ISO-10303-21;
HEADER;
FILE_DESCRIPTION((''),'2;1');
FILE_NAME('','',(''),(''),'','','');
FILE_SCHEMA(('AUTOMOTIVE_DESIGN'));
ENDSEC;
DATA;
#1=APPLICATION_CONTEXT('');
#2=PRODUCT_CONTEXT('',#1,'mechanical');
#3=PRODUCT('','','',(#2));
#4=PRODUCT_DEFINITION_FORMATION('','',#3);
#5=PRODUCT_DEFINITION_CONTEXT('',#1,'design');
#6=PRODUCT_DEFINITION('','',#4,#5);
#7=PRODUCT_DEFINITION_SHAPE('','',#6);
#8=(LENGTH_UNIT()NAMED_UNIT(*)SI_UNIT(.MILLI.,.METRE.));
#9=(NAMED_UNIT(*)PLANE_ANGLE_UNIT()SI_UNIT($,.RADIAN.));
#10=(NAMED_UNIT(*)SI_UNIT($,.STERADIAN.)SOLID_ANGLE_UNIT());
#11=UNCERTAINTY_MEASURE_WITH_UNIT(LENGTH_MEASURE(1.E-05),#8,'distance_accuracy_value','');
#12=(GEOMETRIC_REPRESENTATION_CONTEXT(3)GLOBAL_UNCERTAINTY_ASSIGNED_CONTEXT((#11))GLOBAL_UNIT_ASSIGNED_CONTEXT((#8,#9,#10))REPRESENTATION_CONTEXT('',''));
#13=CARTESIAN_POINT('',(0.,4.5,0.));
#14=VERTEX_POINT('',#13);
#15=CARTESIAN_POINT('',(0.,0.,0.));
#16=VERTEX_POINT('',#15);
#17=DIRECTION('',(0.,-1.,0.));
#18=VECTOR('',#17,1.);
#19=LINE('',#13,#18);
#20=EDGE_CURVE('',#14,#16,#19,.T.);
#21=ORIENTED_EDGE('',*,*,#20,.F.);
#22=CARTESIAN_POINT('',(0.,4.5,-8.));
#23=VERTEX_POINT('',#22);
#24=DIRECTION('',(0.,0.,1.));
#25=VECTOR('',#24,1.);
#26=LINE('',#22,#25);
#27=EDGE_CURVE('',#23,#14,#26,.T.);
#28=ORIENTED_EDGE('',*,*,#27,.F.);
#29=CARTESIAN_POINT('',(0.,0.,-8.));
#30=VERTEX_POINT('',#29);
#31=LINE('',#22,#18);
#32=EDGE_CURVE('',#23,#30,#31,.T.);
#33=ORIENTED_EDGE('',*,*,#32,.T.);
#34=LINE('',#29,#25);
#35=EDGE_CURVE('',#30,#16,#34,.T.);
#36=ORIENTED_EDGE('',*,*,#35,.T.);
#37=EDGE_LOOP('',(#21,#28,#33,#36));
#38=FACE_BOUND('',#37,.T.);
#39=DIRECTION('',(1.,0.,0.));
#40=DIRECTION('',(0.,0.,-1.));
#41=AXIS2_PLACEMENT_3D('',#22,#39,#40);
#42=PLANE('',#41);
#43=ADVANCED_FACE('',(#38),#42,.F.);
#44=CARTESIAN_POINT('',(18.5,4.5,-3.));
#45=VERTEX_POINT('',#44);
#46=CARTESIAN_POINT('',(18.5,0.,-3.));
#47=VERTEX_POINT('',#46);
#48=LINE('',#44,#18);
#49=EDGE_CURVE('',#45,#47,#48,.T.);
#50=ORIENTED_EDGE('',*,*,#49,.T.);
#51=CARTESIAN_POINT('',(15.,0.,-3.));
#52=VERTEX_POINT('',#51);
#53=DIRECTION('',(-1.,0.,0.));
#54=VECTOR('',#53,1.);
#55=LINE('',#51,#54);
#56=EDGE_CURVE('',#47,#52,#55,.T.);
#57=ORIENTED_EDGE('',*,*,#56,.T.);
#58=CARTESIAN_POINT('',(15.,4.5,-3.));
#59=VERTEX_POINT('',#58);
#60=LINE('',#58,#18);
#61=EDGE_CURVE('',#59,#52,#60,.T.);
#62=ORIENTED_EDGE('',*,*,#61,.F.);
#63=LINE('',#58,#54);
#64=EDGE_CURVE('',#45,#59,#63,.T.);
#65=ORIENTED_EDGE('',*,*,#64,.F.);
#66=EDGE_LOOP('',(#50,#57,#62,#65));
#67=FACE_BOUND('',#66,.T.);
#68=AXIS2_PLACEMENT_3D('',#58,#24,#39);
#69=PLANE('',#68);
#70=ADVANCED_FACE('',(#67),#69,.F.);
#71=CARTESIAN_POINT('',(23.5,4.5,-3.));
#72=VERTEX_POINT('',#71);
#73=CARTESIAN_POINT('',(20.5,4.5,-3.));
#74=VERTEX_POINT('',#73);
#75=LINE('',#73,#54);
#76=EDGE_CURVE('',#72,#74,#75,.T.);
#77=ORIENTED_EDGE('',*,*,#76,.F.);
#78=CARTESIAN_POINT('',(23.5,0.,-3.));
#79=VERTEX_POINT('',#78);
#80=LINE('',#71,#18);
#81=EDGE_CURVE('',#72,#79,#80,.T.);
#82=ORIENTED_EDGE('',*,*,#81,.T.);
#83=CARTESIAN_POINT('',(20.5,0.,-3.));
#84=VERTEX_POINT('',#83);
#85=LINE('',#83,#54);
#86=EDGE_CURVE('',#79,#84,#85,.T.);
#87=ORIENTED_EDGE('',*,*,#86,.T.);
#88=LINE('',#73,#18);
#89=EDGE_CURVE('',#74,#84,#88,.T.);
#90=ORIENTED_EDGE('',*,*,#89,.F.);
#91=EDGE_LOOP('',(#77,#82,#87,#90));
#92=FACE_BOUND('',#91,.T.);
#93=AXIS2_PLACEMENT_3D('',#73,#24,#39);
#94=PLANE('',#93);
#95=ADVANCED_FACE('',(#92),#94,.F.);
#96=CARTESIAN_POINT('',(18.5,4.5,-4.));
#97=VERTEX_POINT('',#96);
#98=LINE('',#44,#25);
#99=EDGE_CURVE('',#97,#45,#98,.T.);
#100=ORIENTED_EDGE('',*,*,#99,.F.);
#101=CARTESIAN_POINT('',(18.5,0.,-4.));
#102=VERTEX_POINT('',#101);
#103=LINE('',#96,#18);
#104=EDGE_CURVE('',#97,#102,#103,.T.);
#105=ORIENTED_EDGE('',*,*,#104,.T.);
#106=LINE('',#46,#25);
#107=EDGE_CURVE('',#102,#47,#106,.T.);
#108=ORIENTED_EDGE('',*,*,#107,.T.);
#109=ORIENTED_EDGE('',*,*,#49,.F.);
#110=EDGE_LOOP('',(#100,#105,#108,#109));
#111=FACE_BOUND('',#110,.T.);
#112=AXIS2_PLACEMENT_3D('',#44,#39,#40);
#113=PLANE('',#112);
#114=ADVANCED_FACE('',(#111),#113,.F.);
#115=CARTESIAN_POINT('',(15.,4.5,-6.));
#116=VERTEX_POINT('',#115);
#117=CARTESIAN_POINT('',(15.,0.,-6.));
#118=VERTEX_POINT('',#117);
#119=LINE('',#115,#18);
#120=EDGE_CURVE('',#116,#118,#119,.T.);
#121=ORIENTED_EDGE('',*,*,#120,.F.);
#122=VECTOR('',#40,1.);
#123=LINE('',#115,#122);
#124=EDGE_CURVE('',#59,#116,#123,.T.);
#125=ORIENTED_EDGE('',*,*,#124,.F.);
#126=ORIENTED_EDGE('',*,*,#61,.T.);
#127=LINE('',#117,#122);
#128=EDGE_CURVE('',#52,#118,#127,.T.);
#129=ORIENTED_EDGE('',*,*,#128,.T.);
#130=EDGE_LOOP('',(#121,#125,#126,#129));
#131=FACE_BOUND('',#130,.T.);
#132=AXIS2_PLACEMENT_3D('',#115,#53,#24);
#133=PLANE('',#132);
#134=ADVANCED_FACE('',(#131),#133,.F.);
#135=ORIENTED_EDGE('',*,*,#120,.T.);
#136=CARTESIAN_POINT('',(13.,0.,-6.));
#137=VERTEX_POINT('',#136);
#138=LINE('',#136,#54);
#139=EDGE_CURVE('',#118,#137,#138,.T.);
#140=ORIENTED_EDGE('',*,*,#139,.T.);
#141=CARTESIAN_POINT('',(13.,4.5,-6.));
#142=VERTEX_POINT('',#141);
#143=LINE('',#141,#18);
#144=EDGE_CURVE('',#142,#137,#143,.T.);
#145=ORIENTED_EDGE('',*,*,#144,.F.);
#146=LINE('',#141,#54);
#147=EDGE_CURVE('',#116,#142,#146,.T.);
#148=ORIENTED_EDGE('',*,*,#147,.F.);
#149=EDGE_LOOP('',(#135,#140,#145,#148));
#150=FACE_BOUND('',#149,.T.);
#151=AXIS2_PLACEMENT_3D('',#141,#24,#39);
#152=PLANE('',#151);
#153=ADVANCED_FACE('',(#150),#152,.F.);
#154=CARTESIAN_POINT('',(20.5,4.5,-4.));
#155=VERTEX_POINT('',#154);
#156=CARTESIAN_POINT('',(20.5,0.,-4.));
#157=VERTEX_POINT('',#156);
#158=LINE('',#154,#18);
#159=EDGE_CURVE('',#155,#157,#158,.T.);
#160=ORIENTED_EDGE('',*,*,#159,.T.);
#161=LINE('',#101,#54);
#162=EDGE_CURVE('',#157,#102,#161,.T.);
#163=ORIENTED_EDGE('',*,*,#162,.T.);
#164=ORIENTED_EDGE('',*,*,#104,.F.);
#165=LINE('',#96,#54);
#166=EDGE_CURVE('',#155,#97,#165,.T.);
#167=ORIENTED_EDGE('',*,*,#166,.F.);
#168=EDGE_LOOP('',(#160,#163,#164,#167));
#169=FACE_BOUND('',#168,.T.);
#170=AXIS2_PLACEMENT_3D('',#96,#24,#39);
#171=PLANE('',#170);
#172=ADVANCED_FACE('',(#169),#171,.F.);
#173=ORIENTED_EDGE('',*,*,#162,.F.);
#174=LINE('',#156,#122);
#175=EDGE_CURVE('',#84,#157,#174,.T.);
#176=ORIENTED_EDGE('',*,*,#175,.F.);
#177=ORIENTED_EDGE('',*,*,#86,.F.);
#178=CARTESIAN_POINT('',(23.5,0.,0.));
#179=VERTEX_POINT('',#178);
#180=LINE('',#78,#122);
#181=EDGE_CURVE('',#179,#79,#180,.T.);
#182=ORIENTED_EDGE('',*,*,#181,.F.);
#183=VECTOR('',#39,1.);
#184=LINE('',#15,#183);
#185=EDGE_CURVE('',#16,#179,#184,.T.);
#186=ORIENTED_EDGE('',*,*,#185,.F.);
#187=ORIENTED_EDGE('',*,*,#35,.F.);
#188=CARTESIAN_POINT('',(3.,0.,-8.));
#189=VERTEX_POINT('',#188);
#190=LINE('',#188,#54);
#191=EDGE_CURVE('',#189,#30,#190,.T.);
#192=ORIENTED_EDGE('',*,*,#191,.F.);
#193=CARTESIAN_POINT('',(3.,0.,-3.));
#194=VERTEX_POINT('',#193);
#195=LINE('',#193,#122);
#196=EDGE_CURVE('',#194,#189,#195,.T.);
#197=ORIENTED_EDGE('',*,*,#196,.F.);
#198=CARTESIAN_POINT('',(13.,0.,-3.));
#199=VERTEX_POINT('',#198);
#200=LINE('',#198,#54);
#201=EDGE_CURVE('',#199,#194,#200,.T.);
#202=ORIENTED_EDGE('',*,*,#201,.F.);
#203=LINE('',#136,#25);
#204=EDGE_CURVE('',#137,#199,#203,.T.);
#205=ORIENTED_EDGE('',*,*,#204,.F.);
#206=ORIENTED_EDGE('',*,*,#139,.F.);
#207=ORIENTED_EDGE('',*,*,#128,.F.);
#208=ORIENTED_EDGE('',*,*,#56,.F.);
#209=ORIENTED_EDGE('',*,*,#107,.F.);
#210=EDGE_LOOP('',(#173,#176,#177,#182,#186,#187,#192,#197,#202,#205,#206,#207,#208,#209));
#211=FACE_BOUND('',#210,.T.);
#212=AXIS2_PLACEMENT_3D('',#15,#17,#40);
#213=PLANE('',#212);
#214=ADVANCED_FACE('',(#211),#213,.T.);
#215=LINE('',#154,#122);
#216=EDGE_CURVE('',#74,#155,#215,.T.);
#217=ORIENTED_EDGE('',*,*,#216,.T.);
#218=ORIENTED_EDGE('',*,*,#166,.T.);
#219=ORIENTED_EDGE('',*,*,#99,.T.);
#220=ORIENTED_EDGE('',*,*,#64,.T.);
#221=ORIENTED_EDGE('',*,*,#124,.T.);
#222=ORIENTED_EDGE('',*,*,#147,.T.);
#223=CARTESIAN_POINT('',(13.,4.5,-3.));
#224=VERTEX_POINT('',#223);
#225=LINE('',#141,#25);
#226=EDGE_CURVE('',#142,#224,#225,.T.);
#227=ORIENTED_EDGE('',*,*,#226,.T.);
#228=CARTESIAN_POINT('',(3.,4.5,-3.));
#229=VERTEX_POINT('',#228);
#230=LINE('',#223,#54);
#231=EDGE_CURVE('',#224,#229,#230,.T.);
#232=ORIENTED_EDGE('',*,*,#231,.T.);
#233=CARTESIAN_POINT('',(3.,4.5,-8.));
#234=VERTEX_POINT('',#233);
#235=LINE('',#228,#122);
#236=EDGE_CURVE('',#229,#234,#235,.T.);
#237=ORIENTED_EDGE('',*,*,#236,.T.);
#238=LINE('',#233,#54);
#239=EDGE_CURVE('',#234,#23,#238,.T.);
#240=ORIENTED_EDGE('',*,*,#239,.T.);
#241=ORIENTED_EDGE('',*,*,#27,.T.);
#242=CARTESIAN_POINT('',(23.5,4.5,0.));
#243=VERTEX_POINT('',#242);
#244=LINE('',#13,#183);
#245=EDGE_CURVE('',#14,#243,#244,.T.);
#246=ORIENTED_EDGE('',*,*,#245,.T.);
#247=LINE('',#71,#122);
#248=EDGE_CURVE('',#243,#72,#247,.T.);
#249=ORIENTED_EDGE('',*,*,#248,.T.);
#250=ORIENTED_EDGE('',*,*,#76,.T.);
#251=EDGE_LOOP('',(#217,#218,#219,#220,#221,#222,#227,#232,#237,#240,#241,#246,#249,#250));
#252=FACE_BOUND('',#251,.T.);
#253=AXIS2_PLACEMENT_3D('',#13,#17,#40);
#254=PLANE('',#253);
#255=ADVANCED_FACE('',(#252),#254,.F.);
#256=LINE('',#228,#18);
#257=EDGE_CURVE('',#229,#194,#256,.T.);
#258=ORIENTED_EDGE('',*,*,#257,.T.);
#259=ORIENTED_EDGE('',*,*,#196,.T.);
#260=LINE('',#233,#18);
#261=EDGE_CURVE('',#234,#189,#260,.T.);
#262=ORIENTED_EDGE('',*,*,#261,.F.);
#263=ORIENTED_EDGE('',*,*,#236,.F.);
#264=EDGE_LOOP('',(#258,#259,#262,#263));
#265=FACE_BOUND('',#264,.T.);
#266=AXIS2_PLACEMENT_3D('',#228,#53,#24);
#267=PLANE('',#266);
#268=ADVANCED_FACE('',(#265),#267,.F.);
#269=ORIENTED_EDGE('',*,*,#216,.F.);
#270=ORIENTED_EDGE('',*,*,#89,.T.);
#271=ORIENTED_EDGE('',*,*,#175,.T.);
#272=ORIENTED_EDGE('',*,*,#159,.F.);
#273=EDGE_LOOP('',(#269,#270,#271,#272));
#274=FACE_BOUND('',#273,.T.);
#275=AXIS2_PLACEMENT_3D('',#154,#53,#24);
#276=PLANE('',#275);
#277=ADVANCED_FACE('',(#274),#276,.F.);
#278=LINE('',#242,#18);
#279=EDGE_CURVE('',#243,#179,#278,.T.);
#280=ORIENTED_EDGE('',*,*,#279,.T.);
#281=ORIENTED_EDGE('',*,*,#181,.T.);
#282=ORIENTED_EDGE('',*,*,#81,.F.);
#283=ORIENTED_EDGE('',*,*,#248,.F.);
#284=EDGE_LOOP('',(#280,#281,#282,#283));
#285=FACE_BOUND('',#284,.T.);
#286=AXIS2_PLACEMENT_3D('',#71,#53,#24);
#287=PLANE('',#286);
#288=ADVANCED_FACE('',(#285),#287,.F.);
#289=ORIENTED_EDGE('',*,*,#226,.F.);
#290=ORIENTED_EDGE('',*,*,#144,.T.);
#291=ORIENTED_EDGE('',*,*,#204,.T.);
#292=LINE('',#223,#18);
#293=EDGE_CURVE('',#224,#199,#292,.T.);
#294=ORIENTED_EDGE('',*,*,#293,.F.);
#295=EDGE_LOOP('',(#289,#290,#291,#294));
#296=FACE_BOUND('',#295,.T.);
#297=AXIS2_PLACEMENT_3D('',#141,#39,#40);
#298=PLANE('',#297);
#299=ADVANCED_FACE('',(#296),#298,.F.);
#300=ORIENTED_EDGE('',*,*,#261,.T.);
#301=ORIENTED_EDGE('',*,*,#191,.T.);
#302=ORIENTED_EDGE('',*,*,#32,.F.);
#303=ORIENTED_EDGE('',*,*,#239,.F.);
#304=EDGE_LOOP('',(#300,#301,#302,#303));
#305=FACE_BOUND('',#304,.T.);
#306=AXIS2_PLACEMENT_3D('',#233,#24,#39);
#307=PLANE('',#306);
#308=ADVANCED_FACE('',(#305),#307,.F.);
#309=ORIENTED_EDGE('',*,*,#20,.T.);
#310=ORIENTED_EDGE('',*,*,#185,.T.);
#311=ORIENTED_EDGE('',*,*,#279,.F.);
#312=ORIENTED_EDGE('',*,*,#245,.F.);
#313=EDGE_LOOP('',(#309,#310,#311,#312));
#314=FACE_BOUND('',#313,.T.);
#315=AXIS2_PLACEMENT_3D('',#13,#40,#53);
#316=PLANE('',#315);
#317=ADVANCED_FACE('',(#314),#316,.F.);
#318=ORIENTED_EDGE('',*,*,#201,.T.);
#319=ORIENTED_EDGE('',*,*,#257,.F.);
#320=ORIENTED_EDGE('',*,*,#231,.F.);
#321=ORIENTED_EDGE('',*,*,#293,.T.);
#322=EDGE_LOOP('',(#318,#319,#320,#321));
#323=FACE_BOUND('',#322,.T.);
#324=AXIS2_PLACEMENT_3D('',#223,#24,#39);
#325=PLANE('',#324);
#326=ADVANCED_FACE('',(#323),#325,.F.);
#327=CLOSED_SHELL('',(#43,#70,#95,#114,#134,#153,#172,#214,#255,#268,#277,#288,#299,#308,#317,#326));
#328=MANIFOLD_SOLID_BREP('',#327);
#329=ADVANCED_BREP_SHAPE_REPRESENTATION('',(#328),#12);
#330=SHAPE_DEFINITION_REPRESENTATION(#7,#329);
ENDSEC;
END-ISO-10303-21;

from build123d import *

# Parameters (mm, degrees)
SALIENTE_EXTRUIR1_DEPTH = 4.5


with BuildPart() as part:
    # Croquis1 → Saliente-Extruir1 (new body)
    with BuildSketch(Plane(origin=(0, 0, 0), x_dir=(1, 0, 0), z_dir=(0, 1, 0))):
        Polygon((13, 6), (13, 3), (3, 3), (3, 8), (0, 8), (0, 0), (23.5, 0), (23.5, 3), (20.5, 3), (20.5, 4), (18.5, 4), (18.5, 3), (15, 3), (15, 6), align=None)
    extrude(amount=SALIENTE_EXTRUIR1_DEPTH)


solid = part.part
